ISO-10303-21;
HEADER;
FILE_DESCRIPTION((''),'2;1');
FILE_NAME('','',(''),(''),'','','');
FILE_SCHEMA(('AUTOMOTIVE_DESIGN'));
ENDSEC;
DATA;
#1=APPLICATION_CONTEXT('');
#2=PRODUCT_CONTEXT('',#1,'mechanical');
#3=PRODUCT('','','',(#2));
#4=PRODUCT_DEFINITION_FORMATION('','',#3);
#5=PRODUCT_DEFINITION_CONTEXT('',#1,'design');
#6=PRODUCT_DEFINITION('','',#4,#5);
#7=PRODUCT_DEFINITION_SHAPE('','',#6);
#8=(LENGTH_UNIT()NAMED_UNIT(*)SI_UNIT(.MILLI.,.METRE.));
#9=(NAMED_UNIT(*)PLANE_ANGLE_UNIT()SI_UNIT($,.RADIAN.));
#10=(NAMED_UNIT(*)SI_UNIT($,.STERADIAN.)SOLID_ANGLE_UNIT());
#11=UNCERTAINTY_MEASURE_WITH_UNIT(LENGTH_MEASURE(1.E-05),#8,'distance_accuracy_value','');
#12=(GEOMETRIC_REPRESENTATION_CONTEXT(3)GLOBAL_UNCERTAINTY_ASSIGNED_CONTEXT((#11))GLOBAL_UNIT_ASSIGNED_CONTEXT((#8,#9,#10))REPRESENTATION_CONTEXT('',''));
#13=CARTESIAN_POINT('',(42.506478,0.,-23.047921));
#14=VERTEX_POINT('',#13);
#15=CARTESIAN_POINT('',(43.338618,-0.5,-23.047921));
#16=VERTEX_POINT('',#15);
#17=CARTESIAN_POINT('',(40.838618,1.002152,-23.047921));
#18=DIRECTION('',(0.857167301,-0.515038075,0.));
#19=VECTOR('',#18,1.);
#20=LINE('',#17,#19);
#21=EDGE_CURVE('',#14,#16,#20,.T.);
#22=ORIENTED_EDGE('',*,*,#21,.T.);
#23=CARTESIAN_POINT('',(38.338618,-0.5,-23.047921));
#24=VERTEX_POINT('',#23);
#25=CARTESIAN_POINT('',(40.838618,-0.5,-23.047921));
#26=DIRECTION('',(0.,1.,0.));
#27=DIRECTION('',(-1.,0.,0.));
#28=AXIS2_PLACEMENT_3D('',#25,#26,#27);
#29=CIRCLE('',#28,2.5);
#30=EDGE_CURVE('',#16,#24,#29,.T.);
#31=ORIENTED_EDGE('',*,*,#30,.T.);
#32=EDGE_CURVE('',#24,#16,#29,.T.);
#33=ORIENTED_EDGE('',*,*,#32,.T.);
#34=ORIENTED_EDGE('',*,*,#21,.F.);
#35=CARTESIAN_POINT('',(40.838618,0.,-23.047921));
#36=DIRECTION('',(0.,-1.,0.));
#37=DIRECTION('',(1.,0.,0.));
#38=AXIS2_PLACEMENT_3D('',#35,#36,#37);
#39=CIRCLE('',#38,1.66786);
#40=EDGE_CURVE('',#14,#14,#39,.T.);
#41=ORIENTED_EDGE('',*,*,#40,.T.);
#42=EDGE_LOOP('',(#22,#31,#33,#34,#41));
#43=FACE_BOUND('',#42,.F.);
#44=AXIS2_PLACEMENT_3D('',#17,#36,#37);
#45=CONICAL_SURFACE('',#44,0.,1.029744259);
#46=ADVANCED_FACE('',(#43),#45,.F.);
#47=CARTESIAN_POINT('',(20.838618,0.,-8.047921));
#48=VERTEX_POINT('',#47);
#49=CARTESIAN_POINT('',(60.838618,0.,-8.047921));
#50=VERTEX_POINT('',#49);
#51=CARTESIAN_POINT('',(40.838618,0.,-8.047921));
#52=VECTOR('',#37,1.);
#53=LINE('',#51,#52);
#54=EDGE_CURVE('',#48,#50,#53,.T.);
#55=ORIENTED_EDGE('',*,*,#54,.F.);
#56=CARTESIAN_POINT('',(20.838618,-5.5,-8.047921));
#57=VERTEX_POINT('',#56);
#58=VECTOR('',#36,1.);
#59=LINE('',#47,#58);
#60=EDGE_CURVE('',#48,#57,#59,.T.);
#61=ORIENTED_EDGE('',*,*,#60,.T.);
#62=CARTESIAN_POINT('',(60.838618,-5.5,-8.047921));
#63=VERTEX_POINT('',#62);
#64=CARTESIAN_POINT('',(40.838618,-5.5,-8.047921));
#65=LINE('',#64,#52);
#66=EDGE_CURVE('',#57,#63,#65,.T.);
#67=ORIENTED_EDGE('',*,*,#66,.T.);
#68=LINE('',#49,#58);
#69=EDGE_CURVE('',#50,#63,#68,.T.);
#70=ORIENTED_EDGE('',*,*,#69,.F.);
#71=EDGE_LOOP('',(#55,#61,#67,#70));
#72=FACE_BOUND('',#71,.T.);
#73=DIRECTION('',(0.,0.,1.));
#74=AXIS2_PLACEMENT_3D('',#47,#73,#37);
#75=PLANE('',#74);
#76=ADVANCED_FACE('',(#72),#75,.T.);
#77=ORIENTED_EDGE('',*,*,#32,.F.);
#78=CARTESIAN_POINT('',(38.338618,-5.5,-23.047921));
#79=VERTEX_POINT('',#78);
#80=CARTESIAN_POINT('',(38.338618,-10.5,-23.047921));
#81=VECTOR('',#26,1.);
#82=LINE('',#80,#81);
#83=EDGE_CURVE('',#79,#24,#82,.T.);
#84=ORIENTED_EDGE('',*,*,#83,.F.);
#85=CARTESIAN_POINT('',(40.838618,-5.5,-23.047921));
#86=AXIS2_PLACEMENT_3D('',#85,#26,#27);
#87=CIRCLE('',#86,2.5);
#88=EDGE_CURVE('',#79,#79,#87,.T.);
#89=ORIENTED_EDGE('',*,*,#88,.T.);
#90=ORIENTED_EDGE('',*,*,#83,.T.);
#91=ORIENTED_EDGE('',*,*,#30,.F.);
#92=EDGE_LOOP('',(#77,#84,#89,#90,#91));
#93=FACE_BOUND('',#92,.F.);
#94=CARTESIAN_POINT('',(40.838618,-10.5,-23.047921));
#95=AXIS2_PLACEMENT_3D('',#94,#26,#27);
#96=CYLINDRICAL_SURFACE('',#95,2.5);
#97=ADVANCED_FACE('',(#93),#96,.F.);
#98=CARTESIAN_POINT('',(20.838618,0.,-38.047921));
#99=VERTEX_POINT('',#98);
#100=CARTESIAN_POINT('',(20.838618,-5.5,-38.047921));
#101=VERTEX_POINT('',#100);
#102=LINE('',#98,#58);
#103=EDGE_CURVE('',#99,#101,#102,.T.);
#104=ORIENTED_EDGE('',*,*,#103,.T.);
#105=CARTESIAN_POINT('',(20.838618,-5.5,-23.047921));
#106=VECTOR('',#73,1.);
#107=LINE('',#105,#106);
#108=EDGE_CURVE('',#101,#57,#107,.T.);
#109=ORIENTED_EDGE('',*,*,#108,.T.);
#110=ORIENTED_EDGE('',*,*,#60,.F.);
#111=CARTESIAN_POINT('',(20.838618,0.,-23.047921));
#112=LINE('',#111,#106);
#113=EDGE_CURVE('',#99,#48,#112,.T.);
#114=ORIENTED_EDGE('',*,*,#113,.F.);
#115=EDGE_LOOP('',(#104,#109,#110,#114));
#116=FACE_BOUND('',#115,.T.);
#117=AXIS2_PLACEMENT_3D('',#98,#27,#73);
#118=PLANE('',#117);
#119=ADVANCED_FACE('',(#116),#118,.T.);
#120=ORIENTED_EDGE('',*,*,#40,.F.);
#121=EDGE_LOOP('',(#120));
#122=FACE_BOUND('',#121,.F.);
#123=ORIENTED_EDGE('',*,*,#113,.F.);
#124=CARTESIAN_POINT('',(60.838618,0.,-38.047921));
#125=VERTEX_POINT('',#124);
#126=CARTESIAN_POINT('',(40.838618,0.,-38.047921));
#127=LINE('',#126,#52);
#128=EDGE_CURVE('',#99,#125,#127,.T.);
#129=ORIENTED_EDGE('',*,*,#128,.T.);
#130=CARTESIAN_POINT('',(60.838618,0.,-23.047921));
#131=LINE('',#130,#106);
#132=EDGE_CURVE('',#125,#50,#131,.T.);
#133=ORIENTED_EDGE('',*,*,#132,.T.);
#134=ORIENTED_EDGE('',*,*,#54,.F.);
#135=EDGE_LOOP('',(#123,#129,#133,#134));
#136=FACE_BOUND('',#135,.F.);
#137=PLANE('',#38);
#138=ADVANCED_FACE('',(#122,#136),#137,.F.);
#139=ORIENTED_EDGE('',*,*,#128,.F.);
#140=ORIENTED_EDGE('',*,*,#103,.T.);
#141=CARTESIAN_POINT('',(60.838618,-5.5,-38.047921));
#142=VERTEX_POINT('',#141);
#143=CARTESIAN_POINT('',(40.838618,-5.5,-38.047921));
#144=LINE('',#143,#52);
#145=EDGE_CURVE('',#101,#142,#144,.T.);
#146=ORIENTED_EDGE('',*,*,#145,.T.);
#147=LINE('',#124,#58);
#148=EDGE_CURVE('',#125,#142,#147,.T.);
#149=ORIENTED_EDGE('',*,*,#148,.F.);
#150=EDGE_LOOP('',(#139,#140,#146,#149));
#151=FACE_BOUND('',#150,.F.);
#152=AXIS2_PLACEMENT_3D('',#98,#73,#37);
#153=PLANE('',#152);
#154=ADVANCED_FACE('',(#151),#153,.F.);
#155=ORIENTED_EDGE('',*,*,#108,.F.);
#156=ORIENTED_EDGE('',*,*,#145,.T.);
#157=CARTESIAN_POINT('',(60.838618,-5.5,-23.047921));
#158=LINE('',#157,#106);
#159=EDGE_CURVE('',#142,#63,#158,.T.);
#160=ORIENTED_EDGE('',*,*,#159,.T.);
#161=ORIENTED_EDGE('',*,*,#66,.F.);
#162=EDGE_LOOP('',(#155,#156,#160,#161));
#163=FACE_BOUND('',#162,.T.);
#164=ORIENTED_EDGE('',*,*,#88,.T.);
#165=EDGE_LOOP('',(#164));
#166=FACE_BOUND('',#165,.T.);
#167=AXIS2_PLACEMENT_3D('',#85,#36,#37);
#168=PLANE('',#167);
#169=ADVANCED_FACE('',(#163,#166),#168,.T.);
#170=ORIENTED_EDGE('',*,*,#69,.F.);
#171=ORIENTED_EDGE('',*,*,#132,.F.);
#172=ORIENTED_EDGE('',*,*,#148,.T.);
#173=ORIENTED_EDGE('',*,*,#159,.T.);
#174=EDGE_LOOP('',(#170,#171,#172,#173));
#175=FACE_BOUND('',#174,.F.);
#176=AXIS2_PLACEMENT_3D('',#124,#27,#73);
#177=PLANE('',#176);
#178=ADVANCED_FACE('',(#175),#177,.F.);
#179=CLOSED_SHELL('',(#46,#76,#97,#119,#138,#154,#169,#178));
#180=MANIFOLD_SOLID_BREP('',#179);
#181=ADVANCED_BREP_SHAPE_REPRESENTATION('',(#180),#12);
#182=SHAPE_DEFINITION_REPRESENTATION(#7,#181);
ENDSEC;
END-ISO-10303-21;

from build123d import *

# Parameters (mm, degrees)
F0_W     = 40
F0_H     = 30
F1_DEPTH = 5.5
F3_D     = 5
F3_DEPTH = 5
F3_TIP   = 1.5021515476


with BuildPart() as f1:
    # F0 (on Front) → F1 (new body)
    with BuildSketch(Plane.XZ):
        with Locations((40.8386178315, -23.0479209125)):
            Rectangle(F0_W, F0_H)
    extrude(amount=F1_DEPTH)

    # F3
    with Locations(Plane.XZ.offset(5.5)):
        with Locations((40.8386178315, -23.0479209125)):
            Hole(F3_D / 2, depth=F3_DEPTH)
            with Locations((0, 0, -(F3_DEPTH + F3_TIP / 2))):  # 118° drill point
                Cone(0, F3_D / 2, F3_TIP, mode=Mode.SUBTRACT)


solid = f1.part
